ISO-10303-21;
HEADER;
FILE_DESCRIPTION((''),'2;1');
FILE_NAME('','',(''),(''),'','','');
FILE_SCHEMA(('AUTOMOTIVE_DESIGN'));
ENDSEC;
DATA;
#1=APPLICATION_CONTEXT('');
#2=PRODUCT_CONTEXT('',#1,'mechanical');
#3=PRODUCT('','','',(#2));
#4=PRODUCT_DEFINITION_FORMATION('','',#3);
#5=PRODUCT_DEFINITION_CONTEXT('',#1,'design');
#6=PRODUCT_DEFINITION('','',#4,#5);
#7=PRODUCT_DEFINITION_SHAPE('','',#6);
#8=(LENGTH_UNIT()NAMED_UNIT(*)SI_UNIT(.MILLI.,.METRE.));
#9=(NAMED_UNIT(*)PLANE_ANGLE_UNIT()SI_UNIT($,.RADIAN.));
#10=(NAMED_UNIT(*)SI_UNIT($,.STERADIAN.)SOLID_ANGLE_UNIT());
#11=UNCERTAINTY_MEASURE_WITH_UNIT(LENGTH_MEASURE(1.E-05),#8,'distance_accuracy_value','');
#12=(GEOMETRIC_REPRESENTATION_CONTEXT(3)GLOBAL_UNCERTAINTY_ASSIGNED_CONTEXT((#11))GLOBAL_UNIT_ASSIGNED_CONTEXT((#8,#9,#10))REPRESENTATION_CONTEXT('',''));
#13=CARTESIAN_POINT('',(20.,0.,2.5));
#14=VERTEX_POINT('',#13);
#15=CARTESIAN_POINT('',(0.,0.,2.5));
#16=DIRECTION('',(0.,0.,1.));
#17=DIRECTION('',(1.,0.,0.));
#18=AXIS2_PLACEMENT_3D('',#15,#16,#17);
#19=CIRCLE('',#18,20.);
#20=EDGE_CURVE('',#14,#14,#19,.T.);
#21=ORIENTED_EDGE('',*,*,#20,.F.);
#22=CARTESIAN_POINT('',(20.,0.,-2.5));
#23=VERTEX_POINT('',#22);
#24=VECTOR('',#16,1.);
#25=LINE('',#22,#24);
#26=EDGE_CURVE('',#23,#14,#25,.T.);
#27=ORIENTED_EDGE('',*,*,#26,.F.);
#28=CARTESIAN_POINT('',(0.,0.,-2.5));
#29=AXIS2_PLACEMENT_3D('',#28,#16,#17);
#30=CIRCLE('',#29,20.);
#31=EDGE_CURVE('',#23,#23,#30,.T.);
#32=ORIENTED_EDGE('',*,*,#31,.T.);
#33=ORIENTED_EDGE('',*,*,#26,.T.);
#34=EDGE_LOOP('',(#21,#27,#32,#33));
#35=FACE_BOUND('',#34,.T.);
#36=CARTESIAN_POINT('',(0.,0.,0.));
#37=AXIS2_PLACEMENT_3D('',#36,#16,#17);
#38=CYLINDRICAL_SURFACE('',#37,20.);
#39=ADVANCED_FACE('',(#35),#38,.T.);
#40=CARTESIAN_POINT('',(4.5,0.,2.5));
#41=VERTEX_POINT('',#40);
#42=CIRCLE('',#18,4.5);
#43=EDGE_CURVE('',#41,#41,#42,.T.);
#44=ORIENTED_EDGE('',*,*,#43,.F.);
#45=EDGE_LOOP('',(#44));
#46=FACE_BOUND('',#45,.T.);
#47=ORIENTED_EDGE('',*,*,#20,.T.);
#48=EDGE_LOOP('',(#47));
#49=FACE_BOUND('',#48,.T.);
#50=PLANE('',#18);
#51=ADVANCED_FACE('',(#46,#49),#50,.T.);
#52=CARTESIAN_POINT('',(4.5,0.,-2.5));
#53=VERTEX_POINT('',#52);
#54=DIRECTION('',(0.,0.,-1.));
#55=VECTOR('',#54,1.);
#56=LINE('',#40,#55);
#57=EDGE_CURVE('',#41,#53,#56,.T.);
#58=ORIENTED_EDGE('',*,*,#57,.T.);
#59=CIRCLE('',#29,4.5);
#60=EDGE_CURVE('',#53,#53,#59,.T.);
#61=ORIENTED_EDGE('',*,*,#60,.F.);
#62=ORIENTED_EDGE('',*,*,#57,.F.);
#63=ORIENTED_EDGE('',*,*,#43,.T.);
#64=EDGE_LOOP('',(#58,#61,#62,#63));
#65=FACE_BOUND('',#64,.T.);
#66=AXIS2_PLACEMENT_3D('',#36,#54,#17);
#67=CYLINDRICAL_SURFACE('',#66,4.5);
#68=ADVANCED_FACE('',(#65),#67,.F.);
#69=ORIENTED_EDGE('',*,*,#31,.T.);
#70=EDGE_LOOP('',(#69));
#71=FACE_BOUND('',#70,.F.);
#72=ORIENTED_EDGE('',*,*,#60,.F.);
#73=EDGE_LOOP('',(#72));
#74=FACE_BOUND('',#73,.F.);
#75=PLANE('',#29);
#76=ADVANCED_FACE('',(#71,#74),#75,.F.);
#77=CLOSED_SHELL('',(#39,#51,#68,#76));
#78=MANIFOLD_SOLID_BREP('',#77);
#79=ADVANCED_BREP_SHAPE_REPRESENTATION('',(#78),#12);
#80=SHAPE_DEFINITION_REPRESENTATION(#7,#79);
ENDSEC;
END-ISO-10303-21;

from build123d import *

# Parameters (mm, degrees)
SKETCH2_R           = 20
SKETCH2_R_2         = 4.5
BOSS_EXTRUDE1_DEPTH = 2.5


with BuildPart() as part:
    # Sketch2 → Boss-Extrude1 (new body, symmetric)
    with BuildSketch(Plane.XY):
        Circle(SKETCH2_R)
        Circle(SKETCH2_R_2, mode=Mode.SUBTRACT)
    extrude(amount=BOSS_EXTRUDE1_DEPTH, both=True)


solid = part.part
